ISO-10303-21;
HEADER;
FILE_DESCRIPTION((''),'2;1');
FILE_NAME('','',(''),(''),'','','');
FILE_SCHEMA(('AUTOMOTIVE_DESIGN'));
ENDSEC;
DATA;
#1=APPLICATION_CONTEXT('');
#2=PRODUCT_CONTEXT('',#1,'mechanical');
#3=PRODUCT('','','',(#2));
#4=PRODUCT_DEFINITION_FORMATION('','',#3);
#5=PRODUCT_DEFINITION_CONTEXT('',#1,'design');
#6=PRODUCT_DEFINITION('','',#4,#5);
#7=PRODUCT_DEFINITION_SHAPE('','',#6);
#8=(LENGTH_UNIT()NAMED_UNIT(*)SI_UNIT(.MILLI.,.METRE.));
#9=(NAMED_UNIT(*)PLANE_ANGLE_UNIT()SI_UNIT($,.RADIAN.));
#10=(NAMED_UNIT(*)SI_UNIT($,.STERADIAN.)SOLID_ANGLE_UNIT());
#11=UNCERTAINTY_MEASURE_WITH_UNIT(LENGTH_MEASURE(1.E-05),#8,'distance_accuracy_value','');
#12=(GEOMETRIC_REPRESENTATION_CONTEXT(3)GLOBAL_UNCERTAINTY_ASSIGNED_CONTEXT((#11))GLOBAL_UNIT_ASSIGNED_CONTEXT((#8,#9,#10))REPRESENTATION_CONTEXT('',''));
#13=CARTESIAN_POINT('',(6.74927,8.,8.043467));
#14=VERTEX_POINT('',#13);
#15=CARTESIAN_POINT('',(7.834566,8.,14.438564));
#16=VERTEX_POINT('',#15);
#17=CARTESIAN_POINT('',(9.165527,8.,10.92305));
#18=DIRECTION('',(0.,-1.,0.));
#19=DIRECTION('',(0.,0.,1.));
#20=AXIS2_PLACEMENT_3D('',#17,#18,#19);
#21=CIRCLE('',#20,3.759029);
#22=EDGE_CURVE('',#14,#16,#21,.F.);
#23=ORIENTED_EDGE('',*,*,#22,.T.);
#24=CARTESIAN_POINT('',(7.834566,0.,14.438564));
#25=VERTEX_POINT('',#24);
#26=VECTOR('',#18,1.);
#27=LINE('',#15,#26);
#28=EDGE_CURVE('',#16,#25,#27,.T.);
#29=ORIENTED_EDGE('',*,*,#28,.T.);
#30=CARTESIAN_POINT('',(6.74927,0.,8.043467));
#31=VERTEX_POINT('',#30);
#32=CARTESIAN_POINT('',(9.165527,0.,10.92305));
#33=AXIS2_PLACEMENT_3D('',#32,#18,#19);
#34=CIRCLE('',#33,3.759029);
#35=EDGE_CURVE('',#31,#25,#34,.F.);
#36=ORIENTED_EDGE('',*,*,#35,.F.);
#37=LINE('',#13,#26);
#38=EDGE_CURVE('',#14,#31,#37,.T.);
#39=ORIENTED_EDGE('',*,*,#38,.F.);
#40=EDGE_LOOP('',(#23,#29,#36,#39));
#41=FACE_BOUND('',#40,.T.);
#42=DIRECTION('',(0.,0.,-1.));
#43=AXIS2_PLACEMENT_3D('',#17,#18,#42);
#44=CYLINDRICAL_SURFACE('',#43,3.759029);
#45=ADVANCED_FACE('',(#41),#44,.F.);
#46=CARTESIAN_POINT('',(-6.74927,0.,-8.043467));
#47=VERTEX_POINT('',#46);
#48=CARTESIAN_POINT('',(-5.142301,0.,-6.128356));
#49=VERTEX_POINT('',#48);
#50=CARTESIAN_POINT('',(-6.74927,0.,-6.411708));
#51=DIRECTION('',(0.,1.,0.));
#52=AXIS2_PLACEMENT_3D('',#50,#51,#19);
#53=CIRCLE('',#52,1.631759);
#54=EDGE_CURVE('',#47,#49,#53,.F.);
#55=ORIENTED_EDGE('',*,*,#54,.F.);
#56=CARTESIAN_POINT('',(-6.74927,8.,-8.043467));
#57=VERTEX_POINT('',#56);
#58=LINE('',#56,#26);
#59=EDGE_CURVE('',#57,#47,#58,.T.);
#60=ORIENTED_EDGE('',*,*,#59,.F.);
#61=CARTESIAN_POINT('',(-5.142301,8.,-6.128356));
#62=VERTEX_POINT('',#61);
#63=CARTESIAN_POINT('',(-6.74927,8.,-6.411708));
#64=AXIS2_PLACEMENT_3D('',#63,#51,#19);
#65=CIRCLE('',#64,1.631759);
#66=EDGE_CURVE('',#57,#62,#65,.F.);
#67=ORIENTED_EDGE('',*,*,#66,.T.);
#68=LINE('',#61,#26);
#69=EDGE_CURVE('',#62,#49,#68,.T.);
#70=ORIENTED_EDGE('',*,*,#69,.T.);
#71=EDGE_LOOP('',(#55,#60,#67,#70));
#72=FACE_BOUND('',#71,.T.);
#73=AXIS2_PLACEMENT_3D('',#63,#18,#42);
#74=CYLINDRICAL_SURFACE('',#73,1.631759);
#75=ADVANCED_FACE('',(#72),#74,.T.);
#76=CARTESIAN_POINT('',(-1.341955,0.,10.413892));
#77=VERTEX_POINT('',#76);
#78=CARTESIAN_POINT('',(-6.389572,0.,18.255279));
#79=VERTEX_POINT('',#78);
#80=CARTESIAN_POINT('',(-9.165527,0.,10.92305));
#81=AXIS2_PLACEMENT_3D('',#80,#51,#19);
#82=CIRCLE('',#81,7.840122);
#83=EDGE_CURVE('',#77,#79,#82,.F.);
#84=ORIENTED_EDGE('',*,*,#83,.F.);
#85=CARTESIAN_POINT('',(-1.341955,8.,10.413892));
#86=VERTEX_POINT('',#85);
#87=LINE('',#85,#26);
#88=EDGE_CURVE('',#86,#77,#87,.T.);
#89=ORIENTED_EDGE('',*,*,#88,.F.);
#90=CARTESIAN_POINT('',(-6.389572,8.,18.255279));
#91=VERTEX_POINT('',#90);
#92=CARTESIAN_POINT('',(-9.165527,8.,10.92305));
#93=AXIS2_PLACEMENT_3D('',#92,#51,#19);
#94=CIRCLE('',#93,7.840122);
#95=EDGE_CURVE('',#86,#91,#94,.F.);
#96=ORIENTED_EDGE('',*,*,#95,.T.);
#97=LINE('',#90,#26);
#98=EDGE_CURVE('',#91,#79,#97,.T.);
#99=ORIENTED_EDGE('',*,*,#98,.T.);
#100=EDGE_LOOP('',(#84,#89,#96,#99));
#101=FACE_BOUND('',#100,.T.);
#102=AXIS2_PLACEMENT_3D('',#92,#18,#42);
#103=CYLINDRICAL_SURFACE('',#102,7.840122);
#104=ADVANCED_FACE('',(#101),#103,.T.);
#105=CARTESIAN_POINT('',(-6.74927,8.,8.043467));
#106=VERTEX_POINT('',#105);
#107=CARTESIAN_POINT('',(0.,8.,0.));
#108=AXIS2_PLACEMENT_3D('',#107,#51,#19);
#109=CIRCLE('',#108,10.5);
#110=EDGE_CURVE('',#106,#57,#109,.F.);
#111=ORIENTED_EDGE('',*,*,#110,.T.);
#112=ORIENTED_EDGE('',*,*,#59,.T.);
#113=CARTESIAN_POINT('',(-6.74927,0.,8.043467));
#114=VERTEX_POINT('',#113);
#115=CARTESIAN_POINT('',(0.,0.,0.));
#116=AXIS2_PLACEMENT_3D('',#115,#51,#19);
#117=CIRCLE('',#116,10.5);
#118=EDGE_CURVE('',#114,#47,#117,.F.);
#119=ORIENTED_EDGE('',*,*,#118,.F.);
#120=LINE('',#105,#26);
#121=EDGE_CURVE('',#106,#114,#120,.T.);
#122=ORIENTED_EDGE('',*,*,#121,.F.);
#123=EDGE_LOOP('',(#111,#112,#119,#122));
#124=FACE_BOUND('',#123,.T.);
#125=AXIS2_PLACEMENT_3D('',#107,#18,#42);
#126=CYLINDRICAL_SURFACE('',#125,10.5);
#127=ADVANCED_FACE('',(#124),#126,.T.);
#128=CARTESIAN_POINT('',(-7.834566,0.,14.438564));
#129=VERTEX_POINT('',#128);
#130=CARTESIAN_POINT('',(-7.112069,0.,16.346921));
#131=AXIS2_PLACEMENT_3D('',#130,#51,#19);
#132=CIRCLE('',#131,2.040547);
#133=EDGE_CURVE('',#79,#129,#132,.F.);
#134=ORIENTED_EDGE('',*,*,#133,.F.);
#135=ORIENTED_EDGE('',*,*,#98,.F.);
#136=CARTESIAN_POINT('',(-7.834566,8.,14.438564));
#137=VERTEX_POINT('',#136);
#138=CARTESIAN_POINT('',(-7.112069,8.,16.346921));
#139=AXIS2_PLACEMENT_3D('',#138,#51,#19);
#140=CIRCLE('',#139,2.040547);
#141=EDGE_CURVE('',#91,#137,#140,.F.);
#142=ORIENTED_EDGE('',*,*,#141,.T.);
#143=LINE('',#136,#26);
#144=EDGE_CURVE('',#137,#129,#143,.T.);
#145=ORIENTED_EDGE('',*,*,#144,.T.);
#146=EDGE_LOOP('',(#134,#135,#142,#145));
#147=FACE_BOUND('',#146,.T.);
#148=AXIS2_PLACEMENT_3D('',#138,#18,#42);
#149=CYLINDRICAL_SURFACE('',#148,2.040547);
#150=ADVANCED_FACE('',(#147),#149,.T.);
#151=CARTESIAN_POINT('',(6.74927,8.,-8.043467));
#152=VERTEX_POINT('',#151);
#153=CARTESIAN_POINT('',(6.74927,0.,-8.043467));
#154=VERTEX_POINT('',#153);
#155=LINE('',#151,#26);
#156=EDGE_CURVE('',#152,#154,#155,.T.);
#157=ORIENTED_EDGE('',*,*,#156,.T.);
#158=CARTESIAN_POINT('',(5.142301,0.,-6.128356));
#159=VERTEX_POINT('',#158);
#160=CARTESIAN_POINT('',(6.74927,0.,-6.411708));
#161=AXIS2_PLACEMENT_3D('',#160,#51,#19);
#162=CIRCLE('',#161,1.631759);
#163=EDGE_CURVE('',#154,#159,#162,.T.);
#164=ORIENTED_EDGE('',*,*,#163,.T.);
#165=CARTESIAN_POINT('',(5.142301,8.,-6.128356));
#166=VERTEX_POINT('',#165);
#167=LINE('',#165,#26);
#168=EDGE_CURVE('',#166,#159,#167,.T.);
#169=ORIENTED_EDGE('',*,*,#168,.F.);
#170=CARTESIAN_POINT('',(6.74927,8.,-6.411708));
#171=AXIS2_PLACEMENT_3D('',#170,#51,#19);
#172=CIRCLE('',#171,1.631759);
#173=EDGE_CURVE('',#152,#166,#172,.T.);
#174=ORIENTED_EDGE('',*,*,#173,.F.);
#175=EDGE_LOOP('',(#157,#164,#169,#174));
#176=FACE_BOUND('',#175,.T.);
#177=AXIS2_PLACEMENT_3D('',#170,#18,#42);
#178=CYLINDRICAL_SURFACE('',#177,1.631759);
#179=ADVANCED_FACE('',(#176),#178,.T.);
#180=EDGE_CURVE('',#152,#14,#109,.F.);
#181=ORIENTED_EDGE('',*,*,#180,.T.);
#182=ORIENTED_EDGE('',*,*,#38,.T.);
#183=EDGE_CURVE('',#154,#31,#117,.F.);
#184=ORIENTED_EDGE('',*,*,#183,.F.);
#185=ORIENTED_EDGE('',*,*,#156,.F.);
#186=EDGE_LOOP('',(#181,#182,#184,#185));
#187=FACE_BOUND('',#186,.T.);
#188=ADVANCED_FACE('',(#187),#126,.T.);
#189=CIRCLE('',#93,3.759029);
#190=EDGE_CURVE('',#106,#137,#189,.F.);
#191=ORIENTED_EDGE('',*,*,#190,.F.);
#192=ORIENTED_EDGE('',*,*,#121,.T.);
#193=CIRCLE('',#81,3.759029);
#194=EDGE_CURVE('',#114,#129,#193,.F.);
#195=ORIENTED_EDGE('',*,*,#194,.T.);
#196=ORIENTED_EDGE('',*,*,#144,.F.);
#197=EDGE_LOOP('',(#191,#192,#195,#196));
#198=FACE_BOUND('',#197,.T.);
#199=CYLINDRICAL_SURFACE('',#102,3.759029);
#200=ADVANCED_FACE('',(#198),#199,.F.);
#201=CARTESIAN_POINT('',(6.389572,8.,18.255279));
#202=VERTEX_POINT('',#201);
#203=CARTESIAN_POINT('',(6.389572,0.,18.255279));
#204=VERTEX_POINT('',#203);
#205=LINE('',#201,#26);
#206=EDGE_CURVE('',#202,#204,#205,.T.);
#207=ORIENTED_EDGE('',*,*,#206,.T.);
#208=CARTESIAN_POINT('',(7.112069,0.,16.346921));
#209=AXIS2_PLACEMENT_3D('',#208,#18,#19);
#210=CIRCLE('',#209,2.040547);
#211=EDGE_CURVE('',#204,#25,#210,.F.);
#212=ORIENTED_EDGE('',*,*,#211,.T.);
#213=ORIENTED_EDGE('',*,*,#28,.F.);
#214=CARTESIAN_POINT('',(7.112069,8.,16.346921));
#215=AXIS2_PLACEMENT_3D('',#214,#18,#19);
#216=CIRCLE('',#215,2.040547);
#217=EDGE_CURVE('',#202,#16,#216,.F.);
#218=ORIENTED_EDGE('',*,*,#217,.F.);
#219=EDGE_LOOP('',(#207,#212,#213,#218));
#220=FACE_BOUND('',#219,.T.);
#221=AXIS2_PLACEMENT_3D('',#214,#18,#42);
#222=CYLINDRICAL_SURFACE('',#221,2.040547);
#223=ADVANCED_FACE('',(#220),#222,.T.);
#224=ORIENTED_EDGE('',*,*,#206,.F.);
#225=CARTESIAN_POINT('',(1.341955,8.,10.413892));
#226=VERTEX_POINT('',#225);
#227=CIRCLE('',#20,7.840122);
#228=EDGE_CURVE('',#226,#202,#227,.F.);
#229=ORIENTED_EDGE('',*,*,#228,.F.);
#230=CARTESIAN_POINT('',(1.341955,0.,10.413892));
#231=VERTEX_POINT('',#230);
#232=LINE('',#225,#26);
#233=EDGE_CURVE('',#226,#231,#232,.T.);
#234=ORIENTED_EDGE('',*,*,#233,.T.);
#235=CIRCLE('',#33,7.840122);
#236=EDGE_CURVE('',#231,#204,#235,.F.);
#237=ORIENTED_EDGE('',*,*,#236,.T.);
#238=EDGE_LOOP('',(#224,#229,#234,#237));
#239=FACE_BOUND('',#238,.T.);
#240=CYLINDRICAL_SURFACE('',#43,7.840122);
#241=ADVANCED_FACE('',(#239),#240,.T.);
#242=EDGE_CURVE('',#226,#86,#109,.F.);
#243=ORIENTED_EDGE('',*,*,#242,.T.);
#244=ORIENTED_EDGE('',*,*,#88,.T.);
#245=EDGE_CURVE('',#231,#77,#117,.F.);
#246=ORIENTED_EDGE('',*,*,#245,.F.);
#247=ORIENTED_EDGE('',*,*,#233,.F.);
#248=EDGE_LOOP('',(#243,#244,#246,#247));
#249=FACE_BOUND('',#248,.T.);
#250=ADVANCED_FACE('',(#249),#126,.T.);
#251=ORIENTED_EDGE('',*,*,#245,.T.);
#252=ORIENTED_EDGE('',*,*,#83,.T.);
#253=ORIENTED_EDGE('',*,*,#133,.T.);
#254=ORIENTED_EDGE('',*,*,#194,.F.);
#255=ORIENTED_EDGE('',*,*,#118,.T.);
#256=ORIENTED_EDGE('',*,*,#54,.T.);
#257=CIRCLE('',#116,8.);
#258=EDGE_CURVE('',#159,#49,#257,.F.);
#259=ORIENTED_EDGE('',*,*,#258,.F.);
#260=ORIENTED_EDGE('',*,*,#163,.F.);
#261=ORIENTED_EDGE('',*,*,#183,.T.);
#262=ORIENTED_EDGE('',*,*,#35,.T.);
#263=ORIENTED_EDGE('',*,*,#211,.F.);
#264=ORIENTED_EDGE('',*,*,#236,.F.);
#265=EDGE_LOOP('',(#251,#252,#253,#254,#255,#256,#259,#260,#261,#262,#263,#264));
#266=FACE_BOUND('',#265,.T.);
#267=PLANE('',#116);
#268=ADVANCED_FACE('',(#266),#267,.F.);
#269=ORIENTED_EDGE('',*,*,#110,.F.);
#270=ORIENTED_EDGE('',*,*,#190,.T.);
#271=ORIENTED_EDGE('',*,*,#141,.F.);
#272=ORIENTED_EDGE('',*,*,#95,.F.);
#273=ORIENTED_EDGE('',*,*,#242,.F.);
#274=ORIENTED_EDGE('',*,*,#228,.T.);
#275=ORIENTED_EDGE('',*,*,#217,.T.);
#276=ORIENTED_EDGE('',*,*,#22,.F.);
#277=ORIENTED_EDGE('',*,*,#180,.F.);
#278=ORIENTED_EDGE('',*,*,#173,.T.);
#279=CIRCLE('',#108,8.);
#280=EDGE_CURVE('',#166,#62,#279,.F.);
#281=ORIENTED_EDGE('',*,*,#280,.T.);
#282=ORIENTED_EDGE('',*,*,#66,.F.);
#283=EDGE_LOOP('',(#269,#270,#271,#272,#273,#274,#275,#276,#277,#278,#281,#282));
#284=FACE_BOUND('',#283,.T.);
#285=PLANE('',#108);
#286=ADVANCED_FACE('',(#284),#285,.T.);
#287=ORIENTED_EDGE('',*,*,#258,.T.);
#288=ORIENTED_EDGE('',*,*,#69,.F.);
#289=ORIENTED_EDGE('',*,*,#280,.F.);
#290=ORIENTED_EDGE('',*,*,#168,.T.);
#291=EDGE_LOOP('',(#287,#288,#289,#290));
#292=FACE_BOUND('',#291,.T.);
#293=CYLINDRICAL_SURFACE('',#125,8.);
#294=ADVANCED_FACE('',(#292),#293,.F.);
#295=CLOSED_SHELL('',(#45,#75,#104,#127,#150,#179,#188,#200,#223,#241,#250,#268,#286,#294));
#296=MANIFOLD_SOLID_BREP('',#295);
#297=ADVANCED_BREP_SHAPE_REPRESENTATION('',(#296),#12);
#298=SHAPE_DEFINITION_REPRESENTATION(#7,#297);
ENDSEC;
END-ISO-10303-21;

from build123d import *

# Parameters (mm, degrees)
BOSS_EXTRU_1_DEPTH = 8


with BuildPart() as part:
    # Esquisse4 → Boss.-Extru.1 (new body)
    with BuildSketch(Plane(origin=(0, 0, 0), x_dir=(1, 0, 0), z_dir=(0, 1, 0))):
        with BuildLine():
            ThreePointArc((-1.341955193, -10.413892464), (-1.552117835, -9.051281003), (-1.997724586, -7.746553845))
            ThreePointArc((-1.997724586, -7.746553845), (-7.802132308, -1.768256613), (-5.142300877, 6.128355545))
            ThreePointArc((-5.142300877, 6.128355545), (-5.499269902, 7.46058208), (-6.749269902, 8.043466653))
            ThreePointArc((-6.749269902, 8.043466653), (-10.5, 0), (-6.749269902, -8.043466653))
            ThreePointArc((-6.749269902, -8.043466653), (-4.215650663, -9.616563289), (-1.341955193, -10.413892464))
        make_face()
        with BuildLine():
            ThreePointArc((6.749269902, 8.043466653), (5.499269902, 7.46058208), (5.142300877, 6.128355545))
            ThreePointArc((5.142300877, 6.128355545), (7.11339354, -3.660550825), (-1.997724586, -7.746553845))
            ThreePointArc((-1.997724586, -7.746553845), (-1.552117835, -9.051281003), (-1.341955193, -10.413892464))
            ThreePointArc((-1.341955193, -10.413892464), (9.616563289, -4.215650663), (6.749269902, 8.043466653))
        make_face()
        with BuildLine():
            ThreePointArc((-6.389571855, -18.255279028), (-2.573158, -15.166655065), (-1.341955193, -10.413892464))
            ThreePointArc((-1.341955193, -10.413892464), (-4.215650663, -9.616563289), (-6.749269902, -8.043466653))
            ThreePointArc((-6.749269902, -8.043466653), (-5.459487684, -11.551992452), (-7.834566209, -14.438563679))
            ThreePointArc((-7.834566209, -14.438563679), (-9.020426707, -17.06941853), (-6.389571855, -18.255279028))
        make_face()
    boss_extru_1 = extrude(amount=BOSS_EXTRU_1_DEPTH)

    # Symétrie1: Boss.-Extru.1 across plane
    add(boss_extru_1.mirror(Plane(origin=(0, 0, 0), x_dir=(0, 0, 1), z_dir=(1, 0, 0))))


solid = part.part
